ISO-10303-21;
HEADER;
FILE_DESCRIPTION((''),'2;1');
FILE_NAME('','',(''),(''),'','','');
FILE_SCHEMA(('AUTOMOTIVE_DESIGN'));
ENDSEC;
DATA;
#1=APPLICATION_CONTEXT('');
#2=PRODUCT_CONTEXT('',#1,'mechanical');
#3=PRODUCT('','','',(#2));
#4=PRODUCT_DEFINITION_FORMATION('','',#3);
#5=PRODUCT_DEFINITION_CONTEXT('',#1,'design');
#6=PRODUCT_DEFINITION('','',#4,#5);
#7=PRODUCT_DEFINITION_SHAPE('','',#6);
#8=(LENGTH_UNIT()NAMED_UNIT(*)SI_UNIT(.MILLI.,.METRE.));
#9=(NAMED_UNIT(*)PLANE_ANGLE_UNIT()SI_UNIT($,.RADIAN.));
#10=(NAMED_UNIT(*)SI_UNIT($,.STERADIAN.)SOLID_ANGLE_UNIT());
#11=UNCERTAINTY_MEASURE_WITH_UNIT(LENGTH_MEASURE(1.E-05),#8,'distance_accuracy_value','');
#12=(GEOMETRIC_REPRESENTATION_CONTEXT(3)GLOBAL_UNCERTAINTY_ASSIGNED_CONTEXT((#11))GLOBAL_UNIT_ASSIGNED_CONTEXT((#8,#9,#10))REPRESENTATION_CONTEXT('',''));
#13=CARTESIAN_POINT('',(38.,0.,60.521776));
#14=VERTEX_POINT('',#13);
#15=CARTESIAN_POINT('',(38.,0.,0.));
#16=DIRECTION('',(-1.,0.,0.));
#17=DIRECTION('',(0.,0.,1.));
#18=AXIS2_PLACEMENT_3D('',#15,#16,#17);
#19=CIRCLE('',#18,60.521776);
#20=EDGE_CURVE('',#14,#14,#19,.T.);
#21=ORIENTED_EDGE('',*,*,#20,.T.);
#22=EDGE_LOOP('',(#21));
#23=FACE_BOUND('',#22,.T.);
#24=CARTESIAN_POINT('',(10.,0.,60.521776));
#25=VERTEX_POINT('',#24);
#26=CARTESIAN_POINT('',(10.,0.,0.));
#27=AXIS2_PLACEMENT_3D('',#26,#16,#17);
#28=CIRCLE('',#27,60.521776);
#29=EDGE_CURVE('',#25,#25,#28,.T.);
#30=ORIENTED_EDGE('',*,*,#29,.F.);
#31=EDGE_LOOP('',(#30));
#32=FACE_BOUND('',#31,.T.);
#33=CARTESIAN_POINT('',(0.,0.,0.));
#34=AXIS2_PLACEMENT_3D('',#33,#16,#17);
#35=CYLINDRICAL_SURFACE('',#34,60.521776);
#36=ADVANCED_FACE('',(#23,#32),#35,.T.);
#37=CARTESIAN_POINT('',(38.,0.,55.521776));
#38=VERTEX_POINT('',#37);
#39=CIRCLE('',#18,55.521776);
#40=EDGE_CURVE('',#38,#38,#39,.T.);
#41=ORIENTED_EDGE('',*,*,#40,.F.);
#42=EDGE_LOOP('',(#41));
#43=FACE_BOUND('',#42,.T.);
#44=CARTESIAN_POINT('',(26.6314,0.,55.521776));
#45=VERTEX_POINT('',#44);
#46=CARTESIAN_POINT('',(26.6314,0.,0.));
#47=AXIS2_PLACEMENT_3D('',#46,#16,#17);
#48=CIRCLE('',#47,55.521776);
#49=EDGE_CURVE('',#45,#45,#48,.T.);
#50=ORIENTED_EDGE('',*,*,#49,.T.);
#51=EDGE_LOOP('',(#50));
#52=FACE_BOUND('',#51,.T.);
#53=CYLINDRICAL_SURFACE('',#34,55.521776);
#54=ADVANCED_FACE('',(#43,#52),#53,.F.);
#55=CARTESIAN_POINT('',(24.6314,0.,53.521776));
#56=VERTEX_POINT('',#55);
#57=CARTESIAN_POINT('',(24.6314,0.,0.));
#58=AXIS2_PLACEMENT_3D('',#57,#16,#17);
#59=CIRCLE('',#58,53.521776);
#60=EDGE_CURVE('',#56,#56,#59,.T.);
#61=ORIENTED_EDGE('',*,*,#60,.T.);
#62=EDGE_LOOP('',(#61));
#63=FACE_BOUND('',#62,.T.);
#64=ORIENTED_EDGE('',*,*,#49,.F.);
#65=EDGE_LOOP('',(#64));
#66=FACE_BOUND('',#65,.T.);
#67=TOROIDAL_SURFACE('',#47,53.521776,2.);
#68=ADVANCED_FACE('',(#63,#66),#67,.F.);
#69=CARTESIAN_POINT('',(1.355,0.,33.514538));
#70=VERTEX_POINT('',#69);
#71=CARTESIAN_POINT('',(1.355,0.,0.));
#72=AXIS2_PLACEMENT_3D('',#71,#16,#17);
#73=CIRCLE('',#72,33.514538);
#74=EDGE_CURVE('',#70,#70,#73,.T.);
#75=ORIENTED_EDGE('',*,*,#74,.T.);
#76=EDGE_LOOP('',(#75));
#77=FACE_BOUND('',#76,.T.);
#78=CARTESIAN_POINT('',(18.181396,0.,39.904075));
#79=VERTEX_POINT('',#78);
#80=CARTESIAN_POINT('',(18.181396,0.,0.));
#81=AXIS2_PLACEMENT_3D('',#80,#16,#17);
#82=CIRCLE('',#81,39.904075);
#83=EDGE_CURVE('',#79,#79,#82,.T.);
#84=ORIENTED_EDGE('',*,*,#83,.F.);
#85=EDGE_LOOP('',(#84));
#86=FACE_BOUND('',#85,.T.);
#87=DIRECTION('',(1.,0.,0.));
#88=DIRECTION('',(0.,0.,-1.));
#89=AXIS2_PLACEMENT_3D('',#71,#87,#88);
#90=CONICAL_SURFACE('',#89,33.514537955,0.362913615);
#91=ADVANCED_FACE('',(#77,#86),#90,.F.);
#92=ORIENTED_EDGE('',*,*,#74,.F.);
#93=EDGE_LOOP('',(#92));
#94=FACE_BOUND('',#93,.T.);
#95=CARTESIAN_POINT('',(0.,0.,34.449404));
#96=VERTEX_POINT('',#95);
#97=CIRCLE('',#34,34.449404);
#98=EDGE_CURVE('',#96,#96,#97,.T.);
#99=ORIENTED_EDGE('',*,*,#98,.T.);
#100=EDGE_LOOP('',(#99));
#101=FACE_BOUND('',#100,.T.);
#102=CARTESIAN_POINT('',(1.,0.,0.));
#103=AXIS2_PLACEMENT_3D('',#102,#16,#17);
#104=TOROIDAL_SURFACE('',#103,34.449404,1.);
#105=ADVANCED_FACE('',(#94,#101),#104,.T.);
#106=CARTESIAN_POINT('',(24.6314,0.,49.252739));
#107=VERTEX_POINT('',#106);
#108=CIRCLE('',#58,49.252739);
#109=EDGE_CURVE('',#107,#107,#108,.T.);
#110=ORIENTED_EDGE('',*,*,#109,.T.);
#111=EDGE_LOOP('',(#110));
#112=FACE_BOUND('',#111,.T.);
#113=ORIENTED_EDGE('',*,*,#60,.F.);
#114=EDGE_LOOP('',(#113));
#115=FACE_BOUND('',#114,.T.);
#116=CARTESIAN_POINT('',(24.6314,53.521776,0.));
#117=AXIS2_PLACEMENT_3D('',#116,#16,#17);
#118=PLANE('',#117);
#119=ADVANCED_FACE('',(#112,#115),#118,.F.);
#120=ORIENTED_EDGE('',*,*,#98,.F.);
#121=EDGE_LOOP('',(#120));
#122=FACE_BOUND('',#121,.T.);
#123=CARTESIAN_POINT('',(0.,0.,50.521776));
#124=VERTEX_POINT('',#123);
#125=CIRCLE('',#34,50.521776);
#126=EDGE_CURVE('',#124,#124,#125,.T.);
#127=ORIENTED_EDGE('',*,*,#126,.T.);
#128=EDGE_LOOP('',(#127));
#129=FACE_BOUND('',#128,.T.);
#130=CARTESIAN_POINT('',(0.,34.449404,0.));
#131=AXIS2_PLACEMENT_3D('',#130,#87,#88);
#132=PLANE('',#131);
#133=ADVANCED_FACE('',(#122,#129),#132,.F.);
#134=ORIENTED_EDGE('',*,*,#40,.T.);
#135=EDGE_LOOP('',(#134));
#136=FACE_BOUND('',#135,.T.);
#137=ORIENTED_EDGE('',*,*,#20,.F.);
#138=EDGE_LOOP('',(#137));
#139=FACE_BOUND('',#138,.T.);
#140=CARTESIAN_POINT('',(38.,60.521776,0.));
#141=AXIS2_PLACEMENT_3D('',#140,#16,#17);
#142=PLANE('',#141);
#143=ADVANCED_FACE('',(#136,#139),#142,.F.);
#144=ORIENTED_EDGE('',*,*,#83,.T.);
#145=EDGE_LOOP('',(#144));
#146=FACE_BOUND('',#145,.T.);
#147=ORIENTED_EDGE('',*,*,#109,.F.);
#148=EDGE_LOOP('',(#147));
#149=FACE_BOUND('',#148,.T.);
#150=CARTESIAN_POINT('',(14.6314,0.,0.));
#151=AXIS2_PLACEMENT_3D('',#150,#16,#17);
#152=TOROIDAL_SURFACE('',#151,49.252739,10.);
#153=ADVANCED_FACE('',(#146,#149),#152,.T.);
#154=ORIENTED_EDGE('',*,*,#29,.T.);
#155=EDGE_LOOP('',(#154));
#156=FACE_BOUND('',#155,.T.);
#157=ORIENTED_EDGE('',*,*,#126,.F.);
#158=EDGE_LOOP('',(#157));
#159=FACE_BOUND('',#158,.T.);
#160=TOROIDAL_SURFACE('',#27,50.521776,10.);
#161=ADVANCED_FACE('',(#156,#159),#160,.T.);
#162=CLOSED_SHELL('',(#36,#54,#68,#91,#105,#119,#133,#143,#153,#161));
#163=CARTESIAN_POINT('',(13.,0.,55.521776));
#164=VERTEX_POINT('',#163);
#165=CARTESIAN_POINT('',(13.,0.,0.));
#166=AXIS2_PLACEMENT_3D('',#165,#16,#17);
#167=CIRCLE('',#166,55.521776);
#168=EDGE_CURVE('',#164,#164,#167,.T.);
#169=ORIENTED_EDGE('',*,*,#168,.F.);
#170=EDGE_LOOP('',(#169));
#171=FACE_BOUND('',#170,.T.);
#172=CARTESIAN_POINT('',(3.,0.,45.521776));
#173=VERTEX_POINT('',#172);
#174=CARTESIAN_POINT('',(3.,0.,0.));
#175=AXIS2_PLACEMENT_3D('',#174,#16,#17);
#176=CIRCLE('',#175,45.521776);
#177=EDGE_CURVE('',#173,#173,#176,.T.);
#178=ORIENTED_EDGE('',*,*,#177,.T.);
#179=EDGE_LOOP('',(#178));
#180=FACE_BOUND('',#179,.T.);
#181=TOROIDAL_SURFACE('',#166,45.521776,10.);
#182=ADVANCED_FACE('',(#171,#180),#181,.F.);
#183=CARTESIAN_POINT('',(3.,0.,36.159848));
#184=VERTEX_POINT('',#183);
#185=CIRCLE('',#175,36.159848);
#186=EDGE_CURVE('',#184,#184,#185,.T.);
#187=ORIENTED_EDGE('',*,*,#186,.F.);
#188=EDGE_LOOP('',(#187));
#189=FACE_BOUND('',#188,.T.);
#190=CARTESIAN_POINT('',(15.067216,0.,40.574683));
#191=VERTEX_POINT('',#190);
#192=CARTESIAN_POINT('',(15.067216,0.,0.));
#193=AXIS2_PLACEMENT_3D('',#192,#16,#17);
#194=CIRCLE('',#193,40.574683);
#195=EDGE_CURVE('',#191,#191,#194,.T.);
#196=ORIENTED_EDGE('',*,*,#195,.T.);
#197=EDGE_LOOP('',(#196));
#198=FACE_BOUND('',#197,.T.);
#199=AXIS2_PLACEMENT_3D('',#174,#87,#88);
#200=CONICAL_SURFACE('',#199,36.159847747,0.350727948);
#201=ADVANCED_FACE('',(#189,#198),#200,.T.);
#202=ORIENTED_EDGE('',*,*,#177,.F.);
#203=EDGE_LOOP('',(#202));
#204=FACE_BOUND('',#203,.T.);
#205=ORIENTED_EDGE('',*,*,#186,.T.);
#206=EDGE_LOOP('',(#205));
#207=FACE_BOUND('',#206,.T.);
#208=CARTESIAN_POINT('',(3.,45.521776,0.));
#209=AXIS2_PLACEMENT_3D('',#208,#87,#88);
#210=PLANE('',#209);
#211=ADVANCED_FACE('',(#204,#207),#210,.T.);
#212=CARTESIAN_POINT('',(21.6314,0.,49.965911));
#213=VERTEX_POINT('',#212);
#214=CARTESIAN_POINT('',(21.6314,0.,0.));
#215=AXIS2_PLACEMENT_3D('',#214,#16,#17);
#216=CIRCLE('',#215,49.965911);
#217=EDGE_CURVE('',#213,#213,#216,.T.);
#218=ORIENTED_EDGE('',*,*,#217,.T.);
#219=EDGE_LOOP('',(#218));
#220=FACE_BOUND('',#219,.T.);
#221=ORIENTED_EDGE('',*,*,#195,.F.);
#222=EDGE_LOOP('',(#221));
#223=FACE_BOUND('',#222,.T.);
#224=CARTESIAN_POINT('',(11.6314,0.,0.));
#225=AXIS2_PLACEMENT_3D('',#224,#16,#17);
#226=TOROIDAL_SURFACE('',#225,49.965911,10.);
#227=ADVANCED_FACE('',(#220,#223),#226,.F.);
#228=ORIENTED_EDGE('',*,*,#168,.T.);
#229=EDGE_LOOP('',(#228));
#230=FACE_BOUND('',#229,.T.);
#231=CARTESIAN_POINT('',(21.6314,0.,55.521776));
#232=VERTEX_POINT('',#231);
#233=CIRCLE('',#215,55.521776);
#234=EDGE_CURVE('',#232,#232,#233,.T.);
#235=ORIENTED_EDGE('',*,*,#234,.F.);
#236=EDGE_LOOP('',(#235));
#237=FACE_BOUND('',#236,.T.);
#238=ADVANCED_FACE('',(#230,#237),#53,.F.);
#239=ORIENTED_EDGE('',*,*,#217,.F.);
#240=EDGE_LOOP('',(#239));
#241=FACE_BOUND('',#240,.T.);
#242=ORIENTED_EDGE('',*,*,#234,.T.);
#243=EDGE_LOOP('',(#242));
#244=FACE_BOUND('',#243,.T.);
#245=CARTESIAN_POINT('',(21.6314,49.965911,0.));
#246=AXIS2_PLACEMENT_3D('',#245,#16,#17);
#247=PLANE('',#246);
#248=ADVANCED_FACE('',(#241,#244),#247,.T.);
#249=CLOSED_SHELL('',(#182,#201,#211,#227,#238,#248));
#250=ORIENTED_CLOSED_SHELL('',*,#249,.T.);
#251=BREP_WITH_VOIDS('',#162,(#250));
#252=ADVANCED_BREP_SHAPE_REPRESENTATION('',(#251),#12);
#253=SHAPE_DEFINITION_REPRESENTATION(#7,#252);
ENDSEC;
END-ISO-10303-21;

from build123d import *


with BuildPart() as part:
    # Sketch1 → Revolve1 (revolve)
    with BuildSketch(Plane.XY):
        with BuildLine():
            Line((0, 34.449404416), (0, 50.521775773))
            ThreePointArc((0, 50.521775773), (2.928932188, 57.592843585), (10, 60.521775773))
            Line((10, 60.521775773), (38, 60.521775773))
            Line((38, 60.521775773), (38, 55.521775773))
            Line((38, 55.521775773), (26.631400369, 55.521775773))
            ThreePointArc((26.631400369, 55.521775773), (25.217186807, 54.935989336), (24.631400369, 53.521775773))
            Line((24.631400369, 53.521775773), (24.631400369, 49.252739375))
            ThreePointArc((24.631400369, 49.252739375), (22.862437902, 43.573829168), (18.181396141, 39.904074764))
            Line((18.181396141, 39.904074764), (1.354999577, 33.514537955))
            ThreePointArc((1.354999577, 33.514537955), (0.432108979, 33.626300663), (0, 34.449404416))
        make_face()
        with BuildLine():
            Line((21.631400369, 55.521775773), (13, 55.521775773))
            ThreePointArc((13, 55.521775773), (5.928932188, 52.592843585), (3, 45.521775773))
            Line((3, 45.521775773), (3, 36.159847747))
            Line((3, 36.159847747), (15.067215682, 40.574682753))
            ThreePointArc((15.067215682, 40.574682753), (19.827684684, 44.236956445), (21.631400369, 49.965911274))
            Line((21.631400369, 49.965911274), (21.631400369, 55.521775773))
        make_face(mode=Mode.SUBTRACT)
    revolve(axis=Axis((0, 0, 0), (1, 0, 0)))


solid = part.part
